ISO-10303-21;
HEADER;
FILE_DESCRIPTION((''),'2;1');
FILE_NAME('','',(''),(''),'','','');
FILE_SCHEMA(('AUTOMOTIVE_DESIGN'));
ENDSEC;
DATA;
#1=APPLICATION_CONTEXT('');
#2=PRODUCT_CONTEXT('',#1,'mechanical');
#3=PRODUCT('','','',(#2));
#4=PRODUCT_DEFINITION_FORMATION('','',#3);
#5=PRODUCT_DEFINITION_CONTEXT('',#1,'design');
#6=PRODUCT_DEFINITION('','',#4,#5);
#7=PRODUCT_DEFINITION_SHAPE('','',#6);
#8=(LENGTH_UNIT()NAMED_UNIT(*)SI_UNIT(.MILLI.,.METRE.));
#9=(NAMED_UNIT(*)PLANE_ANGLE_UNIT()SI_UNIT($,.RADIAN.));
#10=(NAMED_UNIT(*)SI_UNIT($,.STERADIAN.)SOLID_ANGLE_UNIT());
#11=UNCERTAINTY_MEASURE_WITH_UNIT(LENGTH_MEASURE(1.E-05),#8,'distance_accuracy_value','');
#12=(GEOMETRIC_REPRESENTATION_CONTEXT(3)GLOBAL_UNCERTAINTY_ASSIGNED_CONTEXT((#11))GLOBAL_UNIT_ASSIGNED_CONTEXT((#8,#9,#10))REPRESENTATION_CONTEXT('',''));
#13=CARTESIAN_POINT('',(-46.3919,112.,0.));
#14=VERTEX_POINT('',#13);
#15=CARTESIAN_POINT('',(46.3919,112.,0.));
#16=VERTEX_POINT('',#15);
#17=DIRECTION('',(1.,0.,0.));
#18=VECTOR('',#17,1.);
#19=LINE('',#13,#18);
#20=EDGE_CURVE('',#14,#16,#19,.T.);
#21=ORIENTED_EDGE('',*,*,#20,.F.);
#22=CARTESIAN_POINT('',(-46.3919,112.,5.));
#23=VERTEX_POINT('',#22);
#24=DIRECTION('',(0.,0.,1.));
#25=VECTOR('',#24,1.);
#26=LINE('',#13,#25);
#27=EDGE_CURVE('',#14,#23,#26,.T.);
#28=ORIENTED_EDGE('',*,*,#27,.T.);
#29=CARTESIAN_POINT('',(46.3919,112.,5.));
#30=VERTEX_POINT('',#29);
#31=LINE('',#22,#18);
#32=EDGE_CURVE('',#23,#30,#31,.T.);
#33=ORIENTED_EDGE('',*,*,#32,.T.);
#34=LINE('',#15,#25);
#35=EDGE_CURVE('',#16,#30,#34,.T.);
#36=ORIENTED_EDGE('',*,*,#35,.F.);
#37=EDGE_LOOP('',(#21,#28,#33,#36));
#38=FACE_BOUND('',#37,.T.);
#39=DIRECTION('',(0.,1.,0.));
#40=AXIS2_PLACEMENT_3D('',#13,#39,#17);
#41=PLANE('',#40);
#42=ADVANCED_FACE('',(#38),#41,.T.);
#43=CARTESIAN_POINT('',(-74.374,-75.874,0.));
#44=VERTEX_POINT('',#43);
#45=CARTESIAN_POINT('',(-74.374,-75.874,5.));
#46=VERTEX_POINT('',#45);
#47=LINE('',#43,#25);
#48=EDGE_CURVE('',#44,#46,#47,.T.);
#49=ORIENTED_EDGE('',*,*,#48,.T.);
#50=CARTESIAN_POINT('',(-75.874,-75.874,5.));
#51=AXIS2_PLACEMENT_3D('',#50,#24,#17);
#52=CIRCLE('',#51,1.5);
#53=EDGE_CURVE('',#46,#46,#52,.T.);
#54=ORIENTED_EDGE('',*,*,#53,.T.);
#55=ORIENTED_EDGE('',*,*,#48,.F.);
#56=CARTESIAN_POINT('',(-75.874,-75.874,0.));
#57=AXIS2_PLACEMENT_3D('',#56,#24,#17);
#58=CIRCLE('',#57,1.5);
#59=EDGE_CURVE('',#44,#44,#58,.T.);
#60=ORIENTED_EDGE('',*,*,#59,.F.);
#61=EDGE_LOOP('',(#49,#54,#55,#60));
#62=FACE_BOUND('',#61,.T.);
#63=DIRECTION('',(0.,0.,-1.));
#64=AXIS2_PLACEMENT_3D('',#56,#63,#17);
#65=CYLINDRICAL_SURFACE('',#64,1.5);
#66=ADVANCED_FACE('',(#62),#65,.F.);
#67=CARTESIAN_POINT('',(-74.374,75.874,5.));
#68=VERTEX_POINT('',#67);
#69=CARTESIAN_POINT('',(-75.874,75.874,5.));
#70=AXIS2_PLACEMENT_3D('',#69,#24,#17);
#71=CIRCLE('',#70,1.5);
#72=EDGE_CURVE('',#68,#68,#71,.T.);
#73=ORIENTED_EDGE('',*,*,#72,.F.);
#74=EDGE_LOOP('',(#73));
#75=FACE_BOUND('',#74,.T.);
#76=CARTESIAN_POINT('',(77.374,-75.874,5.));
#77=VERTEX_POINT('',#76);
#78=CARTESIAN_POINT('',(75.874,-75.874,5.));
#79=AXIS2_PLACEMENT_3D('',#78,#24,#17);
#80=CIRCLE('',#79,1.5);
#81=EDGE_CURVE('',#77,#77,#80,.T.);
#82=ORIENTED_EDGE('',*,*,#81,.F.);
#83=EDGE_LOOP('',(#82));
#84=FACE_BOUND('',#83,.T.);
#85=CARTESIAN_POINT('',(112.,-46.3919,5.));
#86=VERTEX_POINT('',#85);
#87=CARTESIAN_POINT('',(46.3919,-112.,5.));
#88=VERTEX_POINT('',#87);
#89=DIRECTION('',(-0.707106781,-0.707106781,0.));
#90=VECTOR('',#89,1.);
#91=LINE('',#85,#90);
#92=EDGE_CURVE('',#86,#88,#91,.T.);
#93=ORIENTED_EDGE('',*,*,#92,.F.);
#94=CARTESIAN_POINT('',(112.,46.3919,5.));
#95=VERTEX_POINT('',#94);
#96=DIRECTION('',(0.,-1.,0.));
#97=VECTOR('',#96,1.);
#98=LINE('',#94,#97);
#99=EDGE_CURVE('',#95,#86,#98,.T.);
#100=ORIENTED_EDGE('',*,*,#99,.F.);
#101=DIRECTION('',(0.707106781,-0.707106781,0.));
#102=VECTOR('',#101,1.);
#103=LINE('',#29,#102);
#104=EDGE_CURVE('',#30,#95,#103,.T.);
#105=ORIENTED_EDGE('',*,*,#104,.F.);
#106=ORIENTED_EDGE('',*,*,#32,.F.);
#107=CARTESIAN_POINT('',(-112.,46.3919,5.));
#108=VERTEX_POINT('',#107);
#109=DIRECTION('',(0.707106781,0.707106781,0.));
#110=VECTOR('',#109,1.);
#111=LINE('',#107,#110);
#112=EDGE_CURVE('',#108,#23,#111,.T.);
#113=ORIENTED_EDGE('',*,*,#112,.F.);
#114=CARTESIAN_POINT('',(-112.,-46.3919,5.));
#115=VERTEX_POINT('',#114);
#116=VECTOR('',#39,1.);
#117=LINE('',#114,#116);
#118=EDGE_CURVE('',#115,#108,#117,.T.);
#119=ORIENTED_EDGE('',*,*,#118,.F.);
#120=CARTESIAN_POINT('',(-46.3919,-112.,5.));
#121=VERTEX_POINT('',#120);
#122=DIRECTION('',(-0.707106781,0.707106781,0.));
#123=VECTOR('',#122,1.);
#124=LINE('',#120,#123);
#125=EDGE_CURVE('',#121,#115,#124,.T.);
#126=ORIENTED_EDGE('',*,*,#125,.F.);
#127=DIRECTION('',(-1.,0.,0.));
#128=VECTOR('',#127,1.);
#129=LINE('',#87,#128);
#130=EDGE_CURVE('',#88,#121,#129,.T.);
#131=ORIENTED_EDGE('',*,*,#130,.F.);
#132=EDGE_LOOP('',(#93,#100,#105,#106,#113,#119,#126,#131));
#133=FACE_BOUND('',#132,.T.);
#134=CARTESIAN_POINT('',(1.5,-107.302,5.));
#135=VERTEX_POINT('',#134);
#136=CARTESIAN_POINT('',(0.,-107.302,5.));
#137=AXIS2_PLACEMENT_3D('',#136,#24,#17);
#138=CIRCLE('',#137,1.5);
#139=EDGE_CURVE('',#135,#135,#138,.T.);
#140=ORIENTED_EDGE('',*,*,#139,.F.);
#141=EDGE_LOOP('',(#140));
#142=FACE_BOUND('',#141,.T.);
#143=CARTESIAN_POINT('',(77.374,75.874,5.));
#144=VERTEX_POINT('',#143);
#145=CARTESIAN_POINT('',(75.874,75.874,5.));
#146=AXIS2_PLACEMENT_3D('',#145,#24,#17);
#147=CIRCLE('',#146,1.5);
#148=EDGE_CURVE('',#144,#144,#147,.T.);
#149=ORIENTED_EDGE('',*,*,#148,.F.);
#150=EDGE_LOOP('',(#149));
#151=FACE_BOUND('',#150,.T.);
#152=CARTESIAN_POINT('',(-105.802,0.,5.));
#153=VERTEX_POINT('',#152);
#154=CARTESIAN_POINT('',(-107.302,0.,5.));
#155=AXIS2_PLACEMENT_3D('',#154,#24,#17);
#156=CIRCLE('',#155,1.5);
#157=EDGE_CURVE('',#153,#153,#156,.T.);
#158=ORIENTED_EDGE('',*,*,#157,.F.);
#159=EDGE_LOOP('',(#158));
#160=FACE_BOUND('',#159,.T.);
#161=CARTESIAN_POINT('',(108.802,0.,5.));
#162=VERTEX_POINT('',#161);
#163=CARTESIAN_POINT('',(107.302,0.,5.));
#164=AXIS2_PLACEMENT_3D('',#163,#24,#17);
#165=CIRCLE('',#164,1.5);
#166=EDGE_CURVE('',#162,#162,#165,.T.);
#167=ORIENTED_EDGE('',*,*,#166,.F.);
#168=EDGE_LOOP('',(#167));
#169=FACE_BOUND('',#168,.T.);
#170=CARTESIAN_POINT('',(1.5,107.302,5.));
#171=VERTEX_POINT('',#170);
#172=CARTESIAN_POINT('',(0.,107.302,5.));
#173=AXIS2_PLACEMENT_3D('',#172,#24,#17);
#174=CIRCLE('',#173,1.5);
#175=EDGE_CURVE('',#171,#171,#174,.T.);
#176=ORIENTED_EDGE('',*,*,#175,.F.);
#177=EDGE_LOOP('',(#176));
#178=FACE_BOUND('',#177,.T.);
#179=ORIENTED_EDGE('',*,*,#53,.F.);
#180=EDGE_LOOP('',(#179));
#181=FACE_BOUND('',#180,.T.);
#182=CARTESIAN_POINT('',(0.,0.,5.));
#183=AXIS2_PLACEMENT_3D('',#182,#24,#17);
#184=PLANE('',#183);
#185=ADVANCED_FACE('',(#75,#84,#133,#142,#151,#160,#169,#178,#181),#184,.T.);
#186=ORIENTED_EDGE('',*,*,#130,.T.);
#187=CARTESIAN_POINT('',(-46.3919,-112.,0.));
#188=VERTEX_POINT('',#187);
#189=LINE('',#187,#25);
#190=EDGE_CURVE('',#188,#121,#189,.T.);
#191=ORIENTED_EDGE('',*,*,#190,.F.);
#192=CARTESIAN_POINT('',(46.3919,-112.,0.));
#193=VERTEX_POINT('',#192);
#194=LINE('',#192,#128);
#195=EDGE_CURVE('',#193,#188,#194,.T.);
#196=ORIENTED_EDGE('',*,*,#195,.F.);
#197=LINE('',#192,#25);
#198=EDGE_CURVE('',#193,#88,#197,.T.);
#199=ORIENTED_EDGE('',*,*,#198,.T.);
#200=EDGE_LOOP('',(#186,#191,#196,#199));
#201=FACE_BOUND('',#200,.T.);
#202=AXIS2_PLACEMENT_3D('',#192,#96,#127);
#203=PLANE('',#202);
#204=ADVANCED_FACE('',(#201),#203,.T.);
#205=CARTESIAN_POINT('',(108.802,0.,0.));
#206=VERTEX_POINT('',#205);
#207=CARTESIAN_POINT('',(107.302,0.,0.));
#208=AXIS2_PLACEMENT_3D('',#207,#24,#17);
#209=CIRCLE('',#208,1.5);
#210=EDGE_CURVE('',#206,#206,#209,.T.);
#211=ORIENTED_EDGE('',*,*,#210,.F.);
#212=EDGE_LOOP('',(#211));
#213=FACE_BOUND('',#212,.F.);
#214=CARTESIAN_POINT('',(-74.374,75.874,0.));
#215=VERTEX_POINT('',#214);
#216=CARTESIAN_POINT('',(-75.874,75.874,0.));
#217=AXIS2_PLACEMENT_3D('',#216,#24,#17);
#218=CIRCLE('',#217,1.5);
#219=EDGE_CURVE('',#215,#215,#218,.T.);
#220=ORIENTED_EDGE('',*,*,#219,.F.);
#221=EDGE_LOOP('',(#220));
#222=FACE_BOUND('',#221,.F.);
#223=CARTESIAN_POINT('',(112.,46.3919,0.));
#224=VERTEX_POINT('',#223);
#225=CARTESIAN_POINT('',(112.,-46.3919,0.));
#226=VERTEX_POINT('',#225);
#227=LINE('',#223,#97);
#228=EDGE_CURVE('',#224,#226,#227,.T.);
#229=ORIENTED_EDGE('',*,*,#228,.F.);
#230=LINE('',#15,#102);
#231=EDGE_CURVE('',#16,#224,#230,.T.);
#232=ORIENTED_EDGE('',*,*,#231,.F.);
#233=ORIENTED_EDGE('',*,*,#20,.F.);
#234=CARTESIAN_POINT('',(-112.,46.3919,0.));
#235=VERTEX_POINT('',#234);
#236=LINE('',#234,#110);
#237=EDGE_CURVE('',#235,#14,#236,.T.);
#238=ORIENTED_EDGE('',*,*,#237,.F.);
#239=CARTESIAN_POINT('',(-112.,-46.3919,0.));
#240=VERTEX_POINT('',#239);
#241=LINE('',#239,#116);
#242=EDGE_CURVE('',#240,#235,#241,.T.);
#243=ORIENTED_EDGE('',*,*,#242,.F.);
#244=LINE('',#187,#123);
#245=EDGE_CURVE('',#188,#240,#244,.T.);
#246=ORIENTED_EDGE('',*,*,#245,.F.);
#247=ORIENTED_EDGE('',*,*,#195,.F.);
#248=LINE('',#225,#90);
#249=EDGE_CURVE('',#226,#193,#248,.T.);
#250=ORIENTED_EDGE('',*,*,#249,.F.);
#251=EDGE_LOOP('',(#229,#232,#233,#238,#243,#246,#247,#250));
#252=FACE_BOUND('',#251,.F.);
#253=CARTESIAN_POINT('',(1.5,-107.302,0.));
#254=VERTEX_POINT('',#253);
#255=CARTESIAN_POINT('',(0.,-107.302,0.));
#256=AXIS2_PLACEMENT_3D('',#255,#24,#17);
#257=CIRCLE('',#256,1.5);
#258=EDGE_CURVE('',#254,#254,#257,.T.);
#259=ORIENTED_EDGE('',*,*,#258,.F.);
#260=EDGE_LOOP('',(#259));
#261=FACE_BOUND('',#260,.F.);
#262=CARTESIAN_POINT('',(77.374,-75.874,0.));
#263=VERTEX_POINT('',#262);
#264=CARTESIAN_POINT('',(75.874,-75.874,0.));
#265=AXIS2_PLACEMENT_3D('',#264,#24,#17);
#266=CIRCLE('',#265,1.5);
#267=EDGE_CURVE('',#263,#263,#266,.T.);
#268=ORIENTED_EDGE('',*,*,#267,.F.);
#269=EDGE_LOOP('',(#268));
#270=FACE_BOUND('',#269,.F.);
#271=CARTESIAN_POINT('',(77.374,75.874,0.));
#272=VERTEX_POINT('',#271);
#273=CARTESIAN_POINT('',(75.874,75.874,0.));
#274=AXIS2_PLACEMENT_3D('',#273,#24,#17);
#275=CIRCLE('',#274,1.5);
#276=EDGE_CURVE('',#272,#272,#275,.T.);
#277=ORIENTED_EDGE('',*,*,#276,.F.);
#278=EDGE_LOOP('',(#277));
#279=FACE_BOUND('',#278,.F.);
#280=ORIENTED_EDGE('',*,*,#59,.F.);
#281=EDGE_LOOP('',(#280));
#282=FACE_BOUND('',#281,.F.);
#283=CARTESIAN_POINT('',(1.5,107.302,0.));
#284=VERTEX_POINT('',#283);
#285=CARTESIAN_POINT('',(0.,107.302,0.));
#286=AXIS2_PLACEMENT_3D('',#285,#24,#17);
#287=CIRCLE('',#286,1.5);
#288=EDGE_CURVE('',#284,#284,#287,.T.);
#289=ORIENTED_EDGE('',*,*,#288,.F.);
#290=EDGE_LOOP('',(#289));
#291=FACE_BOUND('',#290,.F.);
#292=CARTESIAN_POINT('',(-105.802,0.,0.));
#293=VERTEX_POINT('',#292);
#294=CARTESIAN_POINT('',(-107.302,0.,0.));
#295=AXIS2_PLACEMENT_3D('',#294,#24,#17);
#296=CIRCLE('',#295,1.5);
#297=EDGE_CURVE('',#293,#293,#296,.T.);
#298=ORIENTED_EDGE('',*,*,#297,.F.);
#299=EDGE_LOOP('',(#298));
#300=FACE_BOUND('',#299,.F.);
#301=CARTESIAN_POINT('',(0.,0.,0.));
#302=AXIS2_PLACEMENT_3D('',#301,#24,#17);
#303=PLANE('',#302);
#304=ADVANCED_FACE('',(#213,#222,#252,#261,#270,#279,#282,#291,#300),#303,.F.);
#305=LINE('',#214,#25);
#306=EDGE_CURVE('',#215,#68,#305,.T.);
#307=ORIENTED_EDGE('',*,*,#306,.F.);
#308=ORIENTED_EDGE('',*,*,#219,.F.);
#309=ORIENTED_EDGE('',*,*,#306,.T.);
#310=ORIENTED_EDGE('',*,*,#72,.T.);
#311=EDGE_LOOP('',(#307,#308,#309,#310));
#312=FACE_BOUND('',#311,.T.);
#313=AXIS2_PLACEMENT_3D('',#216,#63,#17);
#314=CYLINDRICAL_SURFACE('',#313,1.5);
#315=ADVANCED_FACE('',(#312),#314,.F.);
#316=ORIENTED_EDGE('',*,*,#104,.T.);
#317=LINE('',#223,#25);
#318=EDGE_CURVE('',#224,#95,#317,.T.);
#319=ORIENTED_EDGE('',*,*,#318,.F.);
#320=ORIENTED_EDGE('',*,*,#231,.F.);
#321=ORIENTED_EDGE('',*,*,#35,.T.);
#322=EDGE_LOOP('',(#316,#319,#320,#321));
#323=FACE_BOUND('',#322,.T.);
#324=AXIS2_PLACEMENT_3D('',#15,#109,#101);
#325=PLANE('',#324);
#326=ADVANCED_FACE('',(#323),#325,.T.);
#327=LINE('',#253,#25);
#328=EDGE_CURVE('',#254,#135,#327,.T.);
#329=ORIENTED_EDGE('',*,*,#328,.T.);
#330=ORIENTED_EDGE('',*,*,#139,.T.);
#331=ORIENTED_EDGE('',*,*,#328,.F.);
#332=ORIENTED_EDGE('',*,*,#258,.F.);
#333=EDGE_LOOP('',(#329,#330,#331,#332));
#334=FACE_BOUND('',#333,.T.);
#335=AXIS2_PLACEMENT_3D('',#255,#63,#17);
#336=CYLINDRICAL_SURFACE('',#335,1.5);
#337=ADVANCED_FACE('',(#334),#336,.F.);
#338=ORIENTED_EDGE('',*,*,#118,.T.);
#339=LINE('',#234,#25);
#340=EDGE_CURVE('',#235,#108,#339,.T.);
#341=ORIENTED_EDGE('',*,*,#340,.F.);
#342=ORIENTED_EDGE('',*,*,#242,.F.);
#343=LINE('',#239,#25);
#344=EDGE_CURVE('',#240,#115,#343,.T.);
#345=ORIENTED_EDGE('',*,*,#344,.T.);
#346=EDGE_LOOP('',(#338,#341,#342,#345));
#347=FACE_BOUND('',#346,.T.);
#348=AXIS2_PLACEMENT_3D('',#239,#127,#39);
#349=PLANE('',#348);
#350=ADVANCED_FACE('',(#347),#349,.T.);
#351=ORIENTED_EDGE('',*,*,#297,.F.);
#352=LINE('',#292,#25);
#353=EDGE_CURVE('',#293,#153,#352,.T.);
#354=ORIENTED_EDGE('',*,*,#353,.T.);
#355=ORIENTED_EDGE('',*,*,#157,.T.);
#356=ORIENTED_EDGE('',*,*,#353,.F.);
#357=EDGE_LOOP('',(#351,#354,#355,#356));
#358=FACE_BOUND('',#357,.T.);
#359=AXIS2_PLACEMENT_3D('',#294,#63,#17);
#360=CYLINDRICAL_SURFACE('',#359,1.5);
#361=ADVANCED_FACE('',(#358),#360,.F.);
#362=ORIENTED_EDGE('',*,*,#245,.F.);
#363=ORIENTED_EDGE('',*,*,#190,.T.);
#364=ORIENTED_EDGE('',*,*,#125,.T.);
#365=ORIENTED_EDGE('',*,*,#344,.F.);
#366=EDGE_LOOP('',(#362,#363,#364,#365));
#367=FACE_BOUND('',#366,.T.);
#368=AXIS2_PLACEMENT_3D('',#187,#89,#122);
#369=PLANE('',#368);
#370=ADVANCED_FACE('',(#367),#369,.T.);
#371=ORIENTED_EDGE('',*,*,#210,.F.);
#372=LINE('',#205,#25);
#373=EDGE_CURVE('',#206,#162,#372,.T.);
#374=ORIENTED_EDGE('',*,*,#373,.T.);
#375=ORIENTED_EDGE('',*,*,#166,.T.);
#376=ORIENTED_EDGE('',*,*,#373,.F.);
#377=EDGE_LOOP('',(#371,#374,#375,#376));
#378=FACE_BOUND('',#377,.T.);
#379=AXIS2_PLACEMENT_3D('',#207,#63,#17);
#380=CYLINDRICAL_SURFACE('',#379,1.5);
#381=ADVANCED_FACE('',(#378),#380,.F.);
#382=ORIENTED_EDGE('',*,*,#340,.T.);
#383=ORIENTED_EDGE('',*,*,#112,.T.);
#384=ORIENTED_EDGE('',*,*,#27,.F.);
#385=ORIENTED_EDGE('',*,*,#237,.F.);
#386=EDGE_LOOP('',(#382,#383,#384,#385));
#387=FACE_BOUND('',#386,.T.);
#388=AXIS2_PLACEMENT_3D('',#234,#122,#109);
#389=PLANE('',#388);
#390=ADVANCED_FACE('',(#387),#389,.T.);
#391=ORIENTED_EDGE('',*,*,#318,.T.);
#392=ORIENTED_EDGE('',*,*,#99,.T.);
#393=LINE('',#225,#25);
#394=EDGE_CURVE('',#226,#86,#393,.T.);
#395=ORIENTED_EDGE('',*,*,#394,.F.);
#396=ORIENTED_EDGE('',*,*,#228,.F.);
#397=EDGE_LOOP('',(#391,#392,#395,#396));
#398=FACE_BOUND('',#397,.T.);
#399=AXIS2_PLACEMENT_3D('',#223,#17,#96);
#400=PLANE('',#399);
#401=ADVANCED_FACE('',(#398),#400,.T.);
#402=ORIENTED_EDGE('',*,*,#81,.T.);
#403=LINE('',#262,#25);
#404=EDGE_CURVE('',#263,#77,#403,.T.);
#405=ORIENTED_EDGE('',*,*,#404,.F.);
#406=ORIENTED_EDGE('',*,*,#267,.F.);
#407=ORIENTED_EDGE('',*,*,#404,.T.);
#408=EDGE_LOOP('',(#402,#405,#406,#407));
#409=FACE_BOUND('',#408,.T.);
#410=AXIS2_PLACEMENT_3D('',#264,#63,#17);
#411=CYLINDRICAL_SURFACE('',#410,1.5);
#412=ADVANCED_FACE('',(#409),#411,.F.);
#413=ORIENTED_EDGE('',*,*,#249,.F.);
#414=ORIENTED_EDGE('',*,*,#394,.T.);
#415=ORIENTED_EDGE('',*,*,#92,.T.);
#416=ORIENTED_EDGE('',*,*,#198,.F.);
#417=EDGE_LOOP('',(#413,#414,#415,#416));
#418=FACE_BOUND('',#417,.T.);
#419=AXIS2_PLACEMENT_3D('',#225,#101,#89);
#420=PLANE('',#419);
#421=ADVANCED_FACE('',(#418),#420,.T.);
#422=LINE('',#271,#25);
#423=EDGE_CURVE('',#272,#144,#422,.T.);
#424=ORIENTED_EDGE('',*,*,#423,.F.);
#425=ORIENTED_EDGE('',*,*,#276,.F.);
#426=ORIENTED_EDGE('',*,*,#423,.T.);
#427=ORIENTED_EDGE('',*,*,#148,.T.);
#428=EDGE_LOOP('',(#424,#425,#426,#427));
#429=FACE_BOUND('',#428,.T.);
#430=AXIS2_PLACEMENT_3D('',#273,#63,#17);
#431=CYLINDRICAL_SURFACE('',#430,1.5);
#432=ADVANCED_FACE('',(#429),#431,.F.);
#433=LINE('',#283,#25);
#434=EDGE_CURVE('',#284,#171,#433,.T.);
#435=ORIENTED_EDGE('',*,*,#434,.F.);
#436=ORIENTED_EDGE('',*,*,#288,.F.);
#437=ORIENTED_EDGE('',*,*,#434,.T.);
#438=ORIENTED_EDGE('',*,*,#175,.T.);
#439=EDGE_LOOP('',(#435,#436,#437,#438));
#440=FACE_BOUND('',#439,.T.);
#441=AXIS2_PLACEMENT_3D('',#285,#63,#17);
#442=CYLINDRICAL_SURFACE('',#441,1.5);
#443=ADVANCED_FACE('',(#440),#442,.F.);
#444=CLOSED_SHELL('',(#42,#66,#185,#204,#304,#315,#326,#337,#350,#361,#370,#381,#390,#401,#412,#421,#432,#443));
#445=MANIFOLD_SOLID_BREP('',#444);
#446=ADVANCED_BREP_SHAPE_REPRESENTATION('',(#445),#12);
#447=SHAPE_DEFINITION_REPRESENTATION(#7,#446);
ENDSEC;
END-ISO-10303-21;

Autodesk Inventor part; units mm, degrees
ref_plane "YZ Plane" through (0, 0, 0) normal (1, 0, 0) x (0, 1, 0)
ref_plane "XZ Plane" through (0, 0, 0) normal (0, 1, 0) x (-1, 0, 0)
ref_plane "XY Plane" through (0, 0, 0) normal (0, 0, 1) x (1, 0, 0)
sketch "스케치1" plane through (0, 0, 0) normal (0, 0, 1) x (1, 0, 0)
  line L0 (112, -46.3919) -> (46.3919, -112)
  line L1 (46.3919, -112) -> (-46.3919, -112)
  line L2 (-46.3919, -112) -> (-112, -46.3919)
  line L3 (-112, -46.3919) -> (-112, 46.3919)
  line L4 (-112, 46.3919) -> (-46.3919, 112)
  line L5 (-46.3919, 112) -> (46.3919, 112)
  line L6 (46.3919, 112) -> (112, 46.3919)
  line L7 (112, 46.3919) -> (112, -46.3919)
  line L8 (0, 0) -> (-9.429, 0)
  line L9 (0, 0) -> (-9.429, 0)
  circle A0 centre (0, 107.302) radius 1.5
  circle A1 centre (-75.874, 75.874) radius 1.5
  circle A2 centre (-107.302, 0) radius 1.5
  circle A3 centre (-75.874, -75.874) radius 1.5
  circle A4 centre (0, -107.302) radius 1.5
  circle A5 centre (75.874, -75.874) radius 1.5
  circle A6 centre (107.302, 0) radius 1.5
  circle A7 centre (75.874, 75.874) radius 1.5
  dimension "d0" = 224
  dimension "d1" = 3
  dimension "d2" = 4.698
  dimension "d5" = 360
extrude "돌출1" add sketch "스케치1" along normal blind 5
properties part number "Cap"
